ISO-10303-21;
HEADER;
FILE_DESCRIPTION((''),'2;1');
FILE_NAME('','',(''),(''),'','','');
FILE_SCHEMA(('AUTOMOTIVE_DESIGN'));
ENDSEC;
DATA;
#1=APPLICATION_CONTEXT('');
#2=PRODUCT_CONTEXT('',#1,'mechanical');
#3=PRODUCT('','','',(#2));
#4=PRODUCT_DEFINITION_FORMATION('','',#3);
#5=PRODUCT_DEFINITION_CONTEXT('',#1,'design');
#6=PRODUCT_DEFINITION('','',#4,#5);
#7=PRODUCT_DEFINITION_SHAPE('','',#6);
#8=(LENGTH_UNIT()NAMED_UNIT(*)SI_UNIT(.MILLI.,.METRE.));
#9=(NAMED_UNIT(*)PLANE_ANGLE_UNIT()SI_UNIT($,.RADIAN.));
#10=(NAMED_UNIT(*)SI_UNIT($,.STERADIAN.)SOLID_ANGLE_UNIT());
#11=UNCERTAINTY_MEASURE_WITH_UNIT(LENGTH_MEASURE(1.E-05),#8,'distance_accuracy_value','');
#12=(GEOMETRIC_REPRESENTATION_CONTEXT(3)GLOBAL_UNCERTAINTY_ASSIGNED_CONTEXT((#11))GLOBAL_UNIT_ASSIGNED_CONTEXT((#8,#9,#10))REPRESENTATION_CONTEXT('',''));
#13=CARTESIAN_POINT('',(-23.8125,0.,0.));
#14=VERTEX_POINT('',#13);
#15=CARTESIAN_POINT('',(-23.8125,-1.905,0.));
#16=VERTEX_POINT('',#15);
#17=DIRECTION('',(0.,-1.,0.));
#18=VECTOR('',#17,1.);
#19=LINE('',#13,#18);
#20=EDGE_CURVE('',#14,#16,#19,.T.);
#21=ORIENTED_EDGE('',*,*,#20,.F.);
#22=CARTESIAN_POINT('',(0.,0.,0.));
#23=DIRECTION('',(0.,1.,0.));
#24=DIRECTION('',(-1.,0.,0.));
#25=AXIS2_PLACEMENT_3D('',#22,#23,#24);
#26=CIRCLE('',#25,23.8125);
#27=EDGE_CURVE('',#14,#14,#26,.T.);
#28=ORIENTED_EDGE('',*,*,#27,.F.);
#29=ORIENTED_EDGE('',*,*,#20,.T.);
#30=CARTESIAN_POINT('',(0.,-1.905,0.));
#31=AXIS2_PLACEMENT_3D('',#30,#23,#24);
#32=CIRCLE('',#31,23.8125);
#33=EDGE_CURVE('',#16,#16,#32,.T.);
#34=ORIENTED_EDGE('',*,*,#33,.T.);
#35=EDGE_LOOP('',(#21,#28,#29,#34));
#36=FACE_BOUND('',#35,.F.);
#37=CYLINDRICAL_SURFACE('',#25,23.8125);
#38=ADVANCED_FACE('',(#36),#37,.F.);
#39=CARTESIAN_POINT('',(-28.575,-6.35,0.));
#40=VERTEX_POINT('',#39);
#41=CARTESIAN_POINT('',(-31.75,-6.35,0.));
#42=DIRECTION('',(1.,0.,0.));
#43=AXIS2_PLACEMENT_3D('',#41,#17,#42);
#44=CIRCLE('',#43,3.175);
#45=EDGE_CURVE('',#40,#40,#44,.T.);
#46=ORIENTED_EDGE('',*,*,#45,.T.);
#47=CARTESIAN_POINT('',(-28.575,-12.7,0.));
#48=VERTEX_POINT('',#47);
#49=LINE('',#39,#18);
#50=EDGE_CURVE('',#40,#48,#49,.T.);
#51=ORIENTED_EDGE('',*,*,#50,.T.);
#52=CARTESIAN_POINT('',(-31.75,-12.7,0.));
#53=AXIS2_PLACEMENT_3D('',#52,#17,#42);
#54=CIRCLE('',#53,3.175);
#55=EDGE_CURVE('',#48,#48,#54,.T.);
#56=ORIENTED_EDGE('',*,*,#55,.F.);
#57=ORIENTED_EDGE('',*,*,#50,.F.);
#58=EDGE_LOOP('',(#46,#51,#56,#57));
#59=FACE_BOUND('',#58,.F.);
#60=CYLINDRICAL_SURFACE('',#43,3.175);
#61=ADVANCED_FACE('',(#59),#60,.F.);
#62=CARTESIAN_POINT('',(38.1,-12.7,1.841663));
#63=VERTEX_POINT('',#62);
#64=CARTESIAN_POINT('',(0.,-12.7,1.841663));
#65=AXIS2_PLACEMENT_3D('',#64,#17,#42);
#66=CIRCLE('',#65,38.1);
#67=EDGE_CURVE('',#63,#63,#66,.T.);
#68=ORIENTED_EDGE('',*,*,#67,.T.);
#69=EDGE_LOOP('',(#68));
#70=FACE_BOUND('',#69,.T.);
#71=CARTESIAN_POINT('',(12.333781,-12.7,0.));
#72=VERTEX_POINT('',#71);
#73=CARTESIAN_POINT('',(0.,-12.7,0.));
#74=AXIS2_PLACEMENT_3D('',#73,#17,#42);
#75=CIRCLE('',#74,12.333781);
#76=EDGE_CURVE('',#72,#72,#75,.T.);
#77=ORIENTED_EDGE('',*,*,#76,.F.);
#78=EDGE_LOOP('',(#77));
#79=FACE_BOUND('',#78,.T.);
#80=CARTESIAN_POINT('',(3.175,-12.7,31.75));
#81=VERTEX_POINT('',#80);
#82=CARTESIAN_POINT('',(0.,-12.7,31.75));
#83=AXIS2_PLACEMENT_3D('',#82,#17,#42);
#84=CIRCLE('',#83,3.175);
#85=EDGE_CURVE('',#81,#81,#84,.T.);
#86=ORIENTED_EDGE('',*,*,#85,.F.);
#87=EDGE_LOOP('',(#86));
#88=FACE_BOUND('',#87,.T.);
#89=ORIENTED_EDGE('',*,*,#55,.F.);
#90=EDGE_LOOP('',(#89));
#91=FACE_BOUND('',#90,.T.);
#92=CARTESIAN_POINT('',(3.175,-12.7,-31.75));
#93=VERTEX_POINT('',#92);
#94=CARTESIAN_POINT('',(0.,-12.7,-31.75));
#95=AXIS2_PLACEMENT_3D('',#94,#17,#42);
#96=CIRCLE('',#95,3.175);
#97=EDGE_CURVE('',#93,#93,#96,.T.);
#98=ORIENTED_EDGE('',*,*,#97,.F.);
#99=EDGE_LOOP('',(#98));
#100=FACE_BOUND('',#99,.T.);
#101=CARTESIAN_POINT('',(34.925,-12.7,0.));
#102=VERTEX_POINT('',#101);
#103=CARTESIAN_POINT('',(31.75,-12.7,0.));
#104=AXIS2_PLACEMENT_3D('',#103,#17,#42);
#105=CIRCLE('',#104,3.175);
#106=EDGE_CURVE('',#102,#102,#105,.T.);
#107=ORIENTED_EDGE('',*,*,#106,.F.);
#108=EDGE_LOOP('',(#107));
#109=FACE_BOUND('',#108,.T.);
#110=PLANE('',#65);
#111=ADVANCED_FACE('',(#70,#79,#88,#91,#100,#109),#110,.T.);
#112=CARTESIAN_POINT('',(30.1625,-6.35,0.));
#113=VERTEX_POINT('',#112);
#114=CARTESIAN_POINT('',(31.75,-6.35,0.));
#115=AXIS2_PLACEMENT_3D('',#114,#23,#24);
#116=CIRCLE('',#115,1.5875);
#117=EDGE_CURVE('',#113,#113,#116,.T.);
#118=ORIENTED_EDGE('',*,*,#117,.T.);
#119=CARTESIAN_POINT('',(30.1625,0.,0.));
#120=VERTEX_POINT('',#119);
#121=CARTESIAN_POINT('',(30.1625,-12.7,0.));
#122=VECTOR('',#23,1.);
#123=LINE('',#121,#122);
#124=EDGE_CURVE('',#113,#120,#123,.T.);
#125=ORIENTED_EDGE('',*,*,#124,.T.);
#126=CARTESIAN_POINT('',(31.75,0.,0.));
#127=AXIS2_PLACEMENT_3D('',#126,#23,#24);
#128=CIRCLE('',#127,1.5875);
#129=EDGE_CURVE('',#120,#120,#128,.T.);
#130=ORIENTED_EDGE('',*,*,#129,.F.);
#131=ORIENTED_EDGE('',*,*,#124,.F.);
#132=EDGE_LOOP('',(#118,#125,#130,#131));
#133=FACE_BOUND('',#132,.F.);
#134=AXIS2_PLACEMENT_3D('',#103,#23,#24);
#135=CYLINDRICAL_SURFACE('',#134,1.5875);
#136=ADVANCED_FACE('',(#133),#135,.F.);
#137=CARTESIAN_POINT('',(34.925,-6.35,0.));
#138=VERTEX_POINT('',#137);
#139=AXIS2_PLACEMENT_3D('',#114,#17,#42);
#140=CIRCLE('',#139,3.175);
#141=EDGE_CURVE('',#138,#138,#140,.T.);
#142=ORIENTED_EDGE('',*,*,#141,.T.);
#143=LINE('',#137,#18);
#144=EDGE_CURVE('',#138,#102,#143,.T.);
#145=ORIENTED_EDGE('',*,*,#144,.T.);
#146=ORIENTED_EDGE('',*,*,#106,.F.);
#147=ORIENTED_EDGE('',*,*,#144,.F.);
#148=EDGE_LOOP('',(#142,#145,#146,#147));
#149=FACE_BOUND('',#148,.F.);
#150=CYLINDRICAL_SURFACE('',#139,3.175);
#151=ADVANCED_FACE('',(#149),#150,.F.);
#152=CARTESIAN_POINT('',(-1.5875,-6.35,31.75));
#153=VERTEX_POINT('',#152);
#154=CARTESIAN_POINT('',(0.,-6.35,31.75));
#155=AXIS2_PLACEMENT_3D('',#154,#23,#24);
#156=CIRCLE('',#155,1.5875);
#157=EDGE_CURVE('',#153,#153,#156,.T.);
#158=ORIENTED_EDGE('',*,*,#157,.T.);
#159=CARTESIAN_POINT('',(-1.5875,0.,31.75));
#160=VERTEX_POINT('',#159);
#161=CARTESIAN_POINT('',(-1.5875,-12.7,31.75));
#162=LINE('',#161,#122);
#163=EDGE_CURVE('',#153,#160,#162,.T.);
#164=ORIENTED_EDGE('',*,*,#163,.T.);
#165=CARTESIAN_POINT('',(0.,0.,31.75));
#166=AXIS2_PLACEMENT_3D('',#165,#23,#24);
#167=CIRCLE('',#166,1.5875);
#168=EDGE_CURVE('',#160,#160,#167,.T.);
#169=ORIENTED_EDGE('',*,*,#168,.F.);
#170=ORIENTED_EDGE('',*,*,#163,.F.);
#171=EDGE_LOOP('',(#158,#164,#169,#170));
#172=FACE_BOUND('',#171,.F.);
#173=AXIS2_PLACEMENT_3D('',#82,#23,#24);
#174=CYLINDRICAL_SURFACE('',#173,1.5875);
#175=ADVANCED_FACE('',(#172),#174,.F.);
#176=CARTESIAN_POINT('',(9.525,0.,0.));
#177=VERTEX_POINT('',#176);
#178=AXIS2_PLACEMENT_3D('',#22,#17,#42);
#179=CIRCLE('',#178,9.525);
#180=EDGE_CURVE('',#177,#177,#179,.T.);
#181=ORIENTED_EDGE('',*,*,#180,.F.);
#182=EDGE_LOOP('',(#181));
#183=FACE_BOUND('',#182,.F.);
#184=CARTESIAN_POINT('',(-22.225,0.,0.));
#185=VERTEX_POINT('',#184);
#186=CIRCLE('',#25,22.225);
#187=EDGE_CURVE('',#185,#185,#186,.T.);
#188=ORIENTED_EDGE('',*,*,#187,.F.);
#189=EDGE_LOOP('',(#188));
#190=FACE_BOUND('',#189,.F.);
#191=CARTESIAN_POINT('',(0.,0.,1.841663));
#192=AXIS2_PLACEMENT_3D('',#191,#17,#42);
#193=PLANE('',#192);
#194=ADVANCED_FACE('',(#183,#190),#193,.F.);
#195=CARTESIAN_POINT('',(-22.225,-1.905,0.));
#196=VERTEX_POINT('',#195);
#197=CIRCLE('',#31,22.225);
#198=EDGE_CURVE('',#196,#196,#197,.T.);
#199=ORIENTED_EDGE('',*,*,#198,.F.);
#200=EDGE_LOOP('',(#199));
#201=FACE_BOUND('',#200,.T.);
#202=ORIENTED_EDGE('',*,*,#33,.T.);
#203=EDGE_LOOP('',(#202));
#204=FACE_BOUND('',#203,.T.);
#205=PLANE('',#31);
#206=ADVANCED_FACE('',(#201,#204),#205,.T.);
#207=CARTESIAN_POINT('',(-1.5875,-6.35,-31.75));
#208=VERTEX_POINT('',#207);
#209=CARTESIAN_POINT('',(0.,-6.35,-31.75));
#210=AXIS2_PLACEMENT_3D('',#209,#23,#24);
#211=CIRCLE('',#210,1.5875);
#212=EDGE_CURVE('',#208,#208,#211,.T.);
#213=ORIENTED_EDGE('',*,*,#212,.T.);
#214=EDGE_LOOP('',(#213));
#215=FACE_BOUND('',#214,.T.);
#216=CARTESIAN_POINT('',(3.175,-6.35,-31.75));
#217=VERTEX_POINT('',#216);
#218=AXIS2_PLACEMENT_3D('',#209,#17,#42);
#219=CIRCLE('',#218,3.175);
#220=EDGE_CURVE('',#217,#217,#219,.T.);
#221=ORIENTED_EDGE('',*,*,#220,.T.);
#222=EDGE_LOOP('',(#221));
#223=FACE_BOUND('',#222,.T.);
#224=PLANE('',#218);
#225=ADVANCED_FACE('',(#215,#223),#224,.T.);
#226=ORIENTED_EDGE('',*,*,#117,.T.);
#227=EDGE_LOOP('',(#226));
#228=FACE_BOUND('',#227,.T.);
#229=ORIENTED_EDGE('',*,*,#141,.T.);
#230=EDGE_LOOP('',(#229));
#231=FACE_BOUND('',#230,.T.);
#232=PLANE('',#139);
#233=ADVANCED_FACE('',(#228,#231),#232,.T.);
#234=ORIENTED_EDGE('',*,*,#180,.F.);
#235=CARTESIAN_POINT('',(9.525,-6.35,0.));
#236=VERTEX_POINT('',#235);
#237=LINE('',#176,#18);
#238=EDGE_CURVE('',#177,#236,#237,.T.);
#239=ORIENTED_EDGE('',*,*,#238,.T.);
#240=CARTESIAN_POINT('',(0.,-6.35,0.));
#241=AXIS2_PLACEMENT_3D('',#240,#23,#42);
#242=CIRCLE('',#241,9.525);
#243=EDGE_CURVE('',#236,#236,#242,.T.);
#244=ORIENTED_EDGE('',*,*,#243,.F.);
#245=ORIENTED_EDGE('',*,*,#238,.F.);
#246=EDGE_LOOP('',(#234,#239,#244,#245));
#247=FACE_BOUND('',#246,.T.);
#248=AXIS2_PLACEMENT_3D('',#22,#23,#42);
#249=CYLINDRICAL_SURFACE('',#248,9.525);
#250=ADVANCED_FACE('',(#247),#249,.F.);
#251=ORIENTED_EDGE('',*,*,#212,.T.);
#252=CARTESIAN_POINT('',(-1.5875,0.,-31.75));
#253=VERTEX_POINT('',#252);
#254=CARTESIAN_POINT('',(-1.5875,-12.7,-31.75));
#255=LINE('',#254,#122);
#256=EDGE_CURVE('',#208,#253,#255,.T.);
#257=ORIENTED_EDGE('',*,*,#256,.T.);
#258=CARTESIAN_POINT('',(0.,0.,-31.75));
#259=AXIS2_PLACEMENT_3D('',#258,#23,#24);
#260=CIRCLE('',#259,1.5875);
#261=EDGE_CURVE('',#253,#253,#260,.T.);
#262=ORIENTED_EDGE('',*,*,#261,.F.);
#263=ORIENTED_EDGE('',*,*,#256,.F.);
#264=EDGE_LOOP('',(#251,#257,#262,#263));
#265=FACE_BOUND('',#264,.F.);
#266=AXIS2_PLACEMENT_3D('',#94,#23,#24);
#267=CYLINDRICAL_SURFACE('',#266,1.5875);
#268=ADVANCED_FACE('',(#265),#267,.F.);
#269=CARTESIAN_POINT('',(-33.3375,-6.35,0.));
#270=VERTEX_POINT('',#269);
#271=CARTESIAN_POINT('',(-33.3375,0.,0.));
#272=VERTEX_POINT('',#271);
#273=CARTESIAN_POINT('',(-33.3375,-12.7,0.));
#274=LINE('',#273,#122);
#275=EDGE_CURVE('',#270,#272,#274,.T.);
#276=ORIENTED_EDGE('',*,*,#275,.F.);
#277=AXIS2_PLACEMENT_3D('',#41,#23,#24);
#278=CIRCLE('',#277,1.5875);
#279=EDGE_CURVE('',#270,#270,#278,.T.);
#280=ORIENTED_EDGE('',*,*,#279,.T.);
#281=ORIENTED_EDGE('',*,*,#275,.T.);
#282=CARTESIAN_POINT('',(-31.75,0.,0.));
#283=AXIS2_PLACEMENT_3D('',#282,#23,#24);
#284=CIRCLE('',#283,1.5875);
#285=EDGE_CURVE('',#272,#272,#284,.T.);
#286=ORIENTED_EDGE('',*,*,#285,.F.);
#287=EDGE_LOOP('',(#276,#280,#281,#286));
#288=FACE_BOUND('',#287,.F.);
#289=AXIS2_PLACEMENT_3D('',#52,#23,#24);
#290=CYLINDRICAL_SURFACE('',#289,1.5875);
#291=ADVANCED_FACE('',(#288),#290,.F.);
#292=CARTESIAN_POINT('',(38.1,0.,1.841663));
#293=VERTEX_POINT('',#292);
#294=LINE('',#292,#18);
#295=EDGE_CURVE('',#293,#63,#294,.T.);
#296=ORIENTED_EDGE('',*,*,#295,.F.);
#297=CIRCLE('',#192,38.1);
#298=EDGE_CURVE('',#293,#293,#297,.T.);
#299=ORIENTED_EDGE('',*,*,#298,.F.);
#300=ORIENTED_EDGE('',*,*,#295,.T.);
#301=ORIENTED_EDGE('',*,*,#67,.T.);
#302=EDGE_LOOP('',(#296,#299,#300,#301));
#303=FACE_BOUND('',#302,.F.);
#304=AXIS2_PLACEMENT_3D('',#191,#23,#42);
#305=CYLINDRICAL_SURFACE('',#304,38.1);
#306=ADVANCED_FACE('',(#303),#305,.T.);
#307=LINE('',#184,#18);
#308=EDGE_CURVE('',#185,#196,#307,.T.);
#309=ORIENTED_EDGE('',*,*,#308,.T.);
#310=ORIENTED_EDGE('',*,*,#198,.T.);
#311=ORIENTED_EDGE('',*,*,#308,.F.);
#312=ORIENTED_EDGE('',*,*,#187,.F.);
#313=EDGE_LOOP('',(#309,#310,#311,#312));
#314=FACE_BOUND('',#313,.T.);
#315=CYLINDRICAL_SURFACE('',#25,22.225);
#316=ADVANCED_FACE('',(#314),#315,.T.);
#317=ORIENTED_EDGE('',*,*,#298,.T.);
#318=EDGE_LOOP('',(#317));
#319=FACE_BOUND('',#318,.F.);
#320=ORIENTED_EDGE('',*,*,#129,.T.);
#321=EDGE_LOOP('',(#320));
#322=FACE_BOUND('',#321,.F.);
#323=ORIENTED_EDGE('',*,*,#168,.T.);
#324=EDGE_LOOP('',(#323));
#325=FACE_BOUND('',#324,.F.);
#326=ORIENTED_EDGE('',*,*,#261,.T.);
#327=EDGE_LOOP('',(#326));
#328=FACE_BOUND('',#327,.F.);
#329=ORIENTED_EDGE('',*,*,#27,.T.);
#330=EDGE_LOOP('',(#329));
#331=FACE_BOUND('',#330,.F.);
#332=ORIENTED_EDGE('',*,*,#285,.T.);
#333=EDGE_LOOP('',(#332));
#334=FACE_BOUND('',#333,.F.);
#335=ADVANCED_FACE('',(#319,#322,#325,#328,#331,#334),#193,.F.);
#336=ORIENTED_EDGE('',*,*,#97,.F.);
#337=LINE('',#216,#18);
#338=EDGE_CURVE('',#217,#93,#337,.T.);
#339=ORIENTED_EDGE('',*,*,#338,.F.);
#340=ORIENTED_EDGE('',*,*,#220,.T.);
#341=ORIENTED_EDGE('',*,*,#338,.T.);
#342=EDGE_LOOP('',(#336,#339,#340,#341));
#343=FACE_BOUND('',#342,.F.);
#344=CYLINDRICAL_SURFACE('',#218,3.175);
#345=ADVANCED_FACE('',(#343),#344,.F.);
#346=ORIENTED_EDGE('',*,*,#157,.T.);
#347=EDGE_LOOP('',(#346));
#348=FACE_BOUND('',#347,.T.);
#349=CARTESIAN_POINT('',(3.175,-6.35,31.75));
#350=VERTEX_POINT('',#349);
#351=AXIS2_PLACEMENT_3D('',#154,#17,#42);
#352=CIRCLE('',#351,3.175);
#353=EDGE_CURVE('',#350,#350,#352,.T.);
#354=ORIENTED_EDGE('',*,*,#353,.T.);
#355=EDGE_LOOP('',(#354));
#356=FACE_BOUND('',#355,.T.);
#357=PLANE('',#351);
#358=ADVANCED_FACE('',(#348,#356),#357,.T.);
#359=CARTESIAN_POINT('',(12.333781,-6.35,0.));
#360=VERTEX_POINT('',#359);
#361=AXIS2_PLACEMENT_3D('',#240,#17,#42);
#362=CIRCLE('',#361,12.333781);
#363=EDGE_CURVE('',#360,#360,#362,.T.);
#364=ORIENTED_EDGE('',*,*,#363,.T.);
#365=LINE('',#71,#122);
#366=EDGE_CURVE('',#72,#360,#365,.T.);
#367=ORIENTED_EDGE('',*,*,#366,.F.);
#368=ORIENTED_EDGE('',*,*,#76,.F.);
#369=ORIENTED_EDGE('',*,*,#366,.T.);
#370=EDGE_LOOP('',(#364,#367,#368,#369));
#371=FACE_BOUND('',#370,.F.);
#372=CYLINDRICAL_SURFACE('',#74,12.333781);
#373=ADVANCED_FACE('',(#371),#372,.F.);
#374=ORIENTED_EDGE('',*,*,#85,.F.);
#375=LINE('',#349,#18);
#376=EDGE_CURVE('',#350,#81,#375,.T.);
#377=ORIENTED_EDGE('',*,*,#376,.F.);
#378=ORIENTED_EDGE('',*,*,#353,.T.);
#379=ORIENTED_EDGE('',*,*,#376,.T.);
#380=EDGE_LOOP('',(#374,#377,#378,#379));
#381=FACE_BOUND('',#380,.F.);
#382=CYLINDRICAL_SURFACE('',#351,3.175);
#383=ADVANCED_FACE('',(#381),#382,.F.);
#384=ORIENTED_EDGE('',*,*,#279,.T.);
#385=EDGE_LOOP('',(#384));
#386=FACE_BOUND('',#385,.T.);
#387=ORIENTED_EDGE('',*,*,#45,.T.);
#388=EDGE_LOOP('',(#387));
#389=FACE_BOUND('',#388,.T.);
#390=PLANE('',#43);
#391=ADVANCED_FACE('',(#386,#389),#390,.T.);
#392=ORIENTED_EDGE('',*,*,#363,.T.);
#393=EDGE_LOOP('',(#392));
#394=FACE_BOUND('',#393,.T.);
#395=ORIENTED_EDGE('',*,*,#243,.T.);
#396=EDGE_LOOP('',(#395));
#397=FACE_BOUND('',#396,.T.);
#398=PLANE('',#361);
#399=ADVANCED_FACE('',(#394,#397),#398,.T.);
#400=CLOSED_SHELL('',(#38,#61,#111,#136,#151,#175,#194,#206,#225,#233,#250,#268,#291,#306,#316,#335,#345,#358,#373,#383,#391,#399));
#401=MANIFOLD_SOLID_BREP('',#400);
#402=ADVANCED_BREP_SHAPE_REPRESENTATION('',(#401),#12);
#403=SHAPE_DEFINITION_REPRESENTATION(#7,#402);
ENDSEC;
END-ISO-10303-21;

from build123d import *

# Parameters (mm, degrees)
F0_R           = 38.1
F0_R_2         = 9.525
F1_DEPTH       = 12.7
F2_R           = 12.333781
F3_DEPTH       = 6.35
F5_D           = 3.175
F5_CBORE_D     = 6.35
F5_CBORE_DEPTH = 6.35
F6_R           = 23.8125
F6_R_2         = 22.225
F7_DEPTH       = 1.905


with BuildPart() as f1:
    # F0 (on Front) → F1 (new body)
    with BuildSketch(Plane.XZ):
        with Locations((0, 1.841663)):
            Circle(F0_R)
        Circle(F0_R_2, mode=Mode.SUBTRACT)
    extrude(amount=F1_DEPTH)

    # F2 (on face) → F3 (cut)
    with BuildSketch(Plane.XZ.offset(12.7)):
        Circle(F2_R)
    extrude(amount=-F3_DEPTH, mode=Mode.SUBTRACT)

    # F5 (through all)
    with Locations(Plane.XZ.offset(12.7)):
        with Locations((0, 31.75), (31.75, 0), (0, -31.75), (-31.75, 0)):
            CounterBoreHole(F5_D / 2, F5_CBORE_D / 2, F5_CBORE_DEPTH)

    # F6 (on face) → F7 (cut)
    with BuildSketch(Plane(origin=(0, 0, 0), x_dir=(-1, 0, 0), z_dir=(0, 1, 0))):
        Circle(F6_R)
        Circle(F6_R_2, mode=Mode.SUBTRACT)
    extrude(amount=-F7_DEPTH, mode=Mode.SUBTRACT)


solid = f1.part
